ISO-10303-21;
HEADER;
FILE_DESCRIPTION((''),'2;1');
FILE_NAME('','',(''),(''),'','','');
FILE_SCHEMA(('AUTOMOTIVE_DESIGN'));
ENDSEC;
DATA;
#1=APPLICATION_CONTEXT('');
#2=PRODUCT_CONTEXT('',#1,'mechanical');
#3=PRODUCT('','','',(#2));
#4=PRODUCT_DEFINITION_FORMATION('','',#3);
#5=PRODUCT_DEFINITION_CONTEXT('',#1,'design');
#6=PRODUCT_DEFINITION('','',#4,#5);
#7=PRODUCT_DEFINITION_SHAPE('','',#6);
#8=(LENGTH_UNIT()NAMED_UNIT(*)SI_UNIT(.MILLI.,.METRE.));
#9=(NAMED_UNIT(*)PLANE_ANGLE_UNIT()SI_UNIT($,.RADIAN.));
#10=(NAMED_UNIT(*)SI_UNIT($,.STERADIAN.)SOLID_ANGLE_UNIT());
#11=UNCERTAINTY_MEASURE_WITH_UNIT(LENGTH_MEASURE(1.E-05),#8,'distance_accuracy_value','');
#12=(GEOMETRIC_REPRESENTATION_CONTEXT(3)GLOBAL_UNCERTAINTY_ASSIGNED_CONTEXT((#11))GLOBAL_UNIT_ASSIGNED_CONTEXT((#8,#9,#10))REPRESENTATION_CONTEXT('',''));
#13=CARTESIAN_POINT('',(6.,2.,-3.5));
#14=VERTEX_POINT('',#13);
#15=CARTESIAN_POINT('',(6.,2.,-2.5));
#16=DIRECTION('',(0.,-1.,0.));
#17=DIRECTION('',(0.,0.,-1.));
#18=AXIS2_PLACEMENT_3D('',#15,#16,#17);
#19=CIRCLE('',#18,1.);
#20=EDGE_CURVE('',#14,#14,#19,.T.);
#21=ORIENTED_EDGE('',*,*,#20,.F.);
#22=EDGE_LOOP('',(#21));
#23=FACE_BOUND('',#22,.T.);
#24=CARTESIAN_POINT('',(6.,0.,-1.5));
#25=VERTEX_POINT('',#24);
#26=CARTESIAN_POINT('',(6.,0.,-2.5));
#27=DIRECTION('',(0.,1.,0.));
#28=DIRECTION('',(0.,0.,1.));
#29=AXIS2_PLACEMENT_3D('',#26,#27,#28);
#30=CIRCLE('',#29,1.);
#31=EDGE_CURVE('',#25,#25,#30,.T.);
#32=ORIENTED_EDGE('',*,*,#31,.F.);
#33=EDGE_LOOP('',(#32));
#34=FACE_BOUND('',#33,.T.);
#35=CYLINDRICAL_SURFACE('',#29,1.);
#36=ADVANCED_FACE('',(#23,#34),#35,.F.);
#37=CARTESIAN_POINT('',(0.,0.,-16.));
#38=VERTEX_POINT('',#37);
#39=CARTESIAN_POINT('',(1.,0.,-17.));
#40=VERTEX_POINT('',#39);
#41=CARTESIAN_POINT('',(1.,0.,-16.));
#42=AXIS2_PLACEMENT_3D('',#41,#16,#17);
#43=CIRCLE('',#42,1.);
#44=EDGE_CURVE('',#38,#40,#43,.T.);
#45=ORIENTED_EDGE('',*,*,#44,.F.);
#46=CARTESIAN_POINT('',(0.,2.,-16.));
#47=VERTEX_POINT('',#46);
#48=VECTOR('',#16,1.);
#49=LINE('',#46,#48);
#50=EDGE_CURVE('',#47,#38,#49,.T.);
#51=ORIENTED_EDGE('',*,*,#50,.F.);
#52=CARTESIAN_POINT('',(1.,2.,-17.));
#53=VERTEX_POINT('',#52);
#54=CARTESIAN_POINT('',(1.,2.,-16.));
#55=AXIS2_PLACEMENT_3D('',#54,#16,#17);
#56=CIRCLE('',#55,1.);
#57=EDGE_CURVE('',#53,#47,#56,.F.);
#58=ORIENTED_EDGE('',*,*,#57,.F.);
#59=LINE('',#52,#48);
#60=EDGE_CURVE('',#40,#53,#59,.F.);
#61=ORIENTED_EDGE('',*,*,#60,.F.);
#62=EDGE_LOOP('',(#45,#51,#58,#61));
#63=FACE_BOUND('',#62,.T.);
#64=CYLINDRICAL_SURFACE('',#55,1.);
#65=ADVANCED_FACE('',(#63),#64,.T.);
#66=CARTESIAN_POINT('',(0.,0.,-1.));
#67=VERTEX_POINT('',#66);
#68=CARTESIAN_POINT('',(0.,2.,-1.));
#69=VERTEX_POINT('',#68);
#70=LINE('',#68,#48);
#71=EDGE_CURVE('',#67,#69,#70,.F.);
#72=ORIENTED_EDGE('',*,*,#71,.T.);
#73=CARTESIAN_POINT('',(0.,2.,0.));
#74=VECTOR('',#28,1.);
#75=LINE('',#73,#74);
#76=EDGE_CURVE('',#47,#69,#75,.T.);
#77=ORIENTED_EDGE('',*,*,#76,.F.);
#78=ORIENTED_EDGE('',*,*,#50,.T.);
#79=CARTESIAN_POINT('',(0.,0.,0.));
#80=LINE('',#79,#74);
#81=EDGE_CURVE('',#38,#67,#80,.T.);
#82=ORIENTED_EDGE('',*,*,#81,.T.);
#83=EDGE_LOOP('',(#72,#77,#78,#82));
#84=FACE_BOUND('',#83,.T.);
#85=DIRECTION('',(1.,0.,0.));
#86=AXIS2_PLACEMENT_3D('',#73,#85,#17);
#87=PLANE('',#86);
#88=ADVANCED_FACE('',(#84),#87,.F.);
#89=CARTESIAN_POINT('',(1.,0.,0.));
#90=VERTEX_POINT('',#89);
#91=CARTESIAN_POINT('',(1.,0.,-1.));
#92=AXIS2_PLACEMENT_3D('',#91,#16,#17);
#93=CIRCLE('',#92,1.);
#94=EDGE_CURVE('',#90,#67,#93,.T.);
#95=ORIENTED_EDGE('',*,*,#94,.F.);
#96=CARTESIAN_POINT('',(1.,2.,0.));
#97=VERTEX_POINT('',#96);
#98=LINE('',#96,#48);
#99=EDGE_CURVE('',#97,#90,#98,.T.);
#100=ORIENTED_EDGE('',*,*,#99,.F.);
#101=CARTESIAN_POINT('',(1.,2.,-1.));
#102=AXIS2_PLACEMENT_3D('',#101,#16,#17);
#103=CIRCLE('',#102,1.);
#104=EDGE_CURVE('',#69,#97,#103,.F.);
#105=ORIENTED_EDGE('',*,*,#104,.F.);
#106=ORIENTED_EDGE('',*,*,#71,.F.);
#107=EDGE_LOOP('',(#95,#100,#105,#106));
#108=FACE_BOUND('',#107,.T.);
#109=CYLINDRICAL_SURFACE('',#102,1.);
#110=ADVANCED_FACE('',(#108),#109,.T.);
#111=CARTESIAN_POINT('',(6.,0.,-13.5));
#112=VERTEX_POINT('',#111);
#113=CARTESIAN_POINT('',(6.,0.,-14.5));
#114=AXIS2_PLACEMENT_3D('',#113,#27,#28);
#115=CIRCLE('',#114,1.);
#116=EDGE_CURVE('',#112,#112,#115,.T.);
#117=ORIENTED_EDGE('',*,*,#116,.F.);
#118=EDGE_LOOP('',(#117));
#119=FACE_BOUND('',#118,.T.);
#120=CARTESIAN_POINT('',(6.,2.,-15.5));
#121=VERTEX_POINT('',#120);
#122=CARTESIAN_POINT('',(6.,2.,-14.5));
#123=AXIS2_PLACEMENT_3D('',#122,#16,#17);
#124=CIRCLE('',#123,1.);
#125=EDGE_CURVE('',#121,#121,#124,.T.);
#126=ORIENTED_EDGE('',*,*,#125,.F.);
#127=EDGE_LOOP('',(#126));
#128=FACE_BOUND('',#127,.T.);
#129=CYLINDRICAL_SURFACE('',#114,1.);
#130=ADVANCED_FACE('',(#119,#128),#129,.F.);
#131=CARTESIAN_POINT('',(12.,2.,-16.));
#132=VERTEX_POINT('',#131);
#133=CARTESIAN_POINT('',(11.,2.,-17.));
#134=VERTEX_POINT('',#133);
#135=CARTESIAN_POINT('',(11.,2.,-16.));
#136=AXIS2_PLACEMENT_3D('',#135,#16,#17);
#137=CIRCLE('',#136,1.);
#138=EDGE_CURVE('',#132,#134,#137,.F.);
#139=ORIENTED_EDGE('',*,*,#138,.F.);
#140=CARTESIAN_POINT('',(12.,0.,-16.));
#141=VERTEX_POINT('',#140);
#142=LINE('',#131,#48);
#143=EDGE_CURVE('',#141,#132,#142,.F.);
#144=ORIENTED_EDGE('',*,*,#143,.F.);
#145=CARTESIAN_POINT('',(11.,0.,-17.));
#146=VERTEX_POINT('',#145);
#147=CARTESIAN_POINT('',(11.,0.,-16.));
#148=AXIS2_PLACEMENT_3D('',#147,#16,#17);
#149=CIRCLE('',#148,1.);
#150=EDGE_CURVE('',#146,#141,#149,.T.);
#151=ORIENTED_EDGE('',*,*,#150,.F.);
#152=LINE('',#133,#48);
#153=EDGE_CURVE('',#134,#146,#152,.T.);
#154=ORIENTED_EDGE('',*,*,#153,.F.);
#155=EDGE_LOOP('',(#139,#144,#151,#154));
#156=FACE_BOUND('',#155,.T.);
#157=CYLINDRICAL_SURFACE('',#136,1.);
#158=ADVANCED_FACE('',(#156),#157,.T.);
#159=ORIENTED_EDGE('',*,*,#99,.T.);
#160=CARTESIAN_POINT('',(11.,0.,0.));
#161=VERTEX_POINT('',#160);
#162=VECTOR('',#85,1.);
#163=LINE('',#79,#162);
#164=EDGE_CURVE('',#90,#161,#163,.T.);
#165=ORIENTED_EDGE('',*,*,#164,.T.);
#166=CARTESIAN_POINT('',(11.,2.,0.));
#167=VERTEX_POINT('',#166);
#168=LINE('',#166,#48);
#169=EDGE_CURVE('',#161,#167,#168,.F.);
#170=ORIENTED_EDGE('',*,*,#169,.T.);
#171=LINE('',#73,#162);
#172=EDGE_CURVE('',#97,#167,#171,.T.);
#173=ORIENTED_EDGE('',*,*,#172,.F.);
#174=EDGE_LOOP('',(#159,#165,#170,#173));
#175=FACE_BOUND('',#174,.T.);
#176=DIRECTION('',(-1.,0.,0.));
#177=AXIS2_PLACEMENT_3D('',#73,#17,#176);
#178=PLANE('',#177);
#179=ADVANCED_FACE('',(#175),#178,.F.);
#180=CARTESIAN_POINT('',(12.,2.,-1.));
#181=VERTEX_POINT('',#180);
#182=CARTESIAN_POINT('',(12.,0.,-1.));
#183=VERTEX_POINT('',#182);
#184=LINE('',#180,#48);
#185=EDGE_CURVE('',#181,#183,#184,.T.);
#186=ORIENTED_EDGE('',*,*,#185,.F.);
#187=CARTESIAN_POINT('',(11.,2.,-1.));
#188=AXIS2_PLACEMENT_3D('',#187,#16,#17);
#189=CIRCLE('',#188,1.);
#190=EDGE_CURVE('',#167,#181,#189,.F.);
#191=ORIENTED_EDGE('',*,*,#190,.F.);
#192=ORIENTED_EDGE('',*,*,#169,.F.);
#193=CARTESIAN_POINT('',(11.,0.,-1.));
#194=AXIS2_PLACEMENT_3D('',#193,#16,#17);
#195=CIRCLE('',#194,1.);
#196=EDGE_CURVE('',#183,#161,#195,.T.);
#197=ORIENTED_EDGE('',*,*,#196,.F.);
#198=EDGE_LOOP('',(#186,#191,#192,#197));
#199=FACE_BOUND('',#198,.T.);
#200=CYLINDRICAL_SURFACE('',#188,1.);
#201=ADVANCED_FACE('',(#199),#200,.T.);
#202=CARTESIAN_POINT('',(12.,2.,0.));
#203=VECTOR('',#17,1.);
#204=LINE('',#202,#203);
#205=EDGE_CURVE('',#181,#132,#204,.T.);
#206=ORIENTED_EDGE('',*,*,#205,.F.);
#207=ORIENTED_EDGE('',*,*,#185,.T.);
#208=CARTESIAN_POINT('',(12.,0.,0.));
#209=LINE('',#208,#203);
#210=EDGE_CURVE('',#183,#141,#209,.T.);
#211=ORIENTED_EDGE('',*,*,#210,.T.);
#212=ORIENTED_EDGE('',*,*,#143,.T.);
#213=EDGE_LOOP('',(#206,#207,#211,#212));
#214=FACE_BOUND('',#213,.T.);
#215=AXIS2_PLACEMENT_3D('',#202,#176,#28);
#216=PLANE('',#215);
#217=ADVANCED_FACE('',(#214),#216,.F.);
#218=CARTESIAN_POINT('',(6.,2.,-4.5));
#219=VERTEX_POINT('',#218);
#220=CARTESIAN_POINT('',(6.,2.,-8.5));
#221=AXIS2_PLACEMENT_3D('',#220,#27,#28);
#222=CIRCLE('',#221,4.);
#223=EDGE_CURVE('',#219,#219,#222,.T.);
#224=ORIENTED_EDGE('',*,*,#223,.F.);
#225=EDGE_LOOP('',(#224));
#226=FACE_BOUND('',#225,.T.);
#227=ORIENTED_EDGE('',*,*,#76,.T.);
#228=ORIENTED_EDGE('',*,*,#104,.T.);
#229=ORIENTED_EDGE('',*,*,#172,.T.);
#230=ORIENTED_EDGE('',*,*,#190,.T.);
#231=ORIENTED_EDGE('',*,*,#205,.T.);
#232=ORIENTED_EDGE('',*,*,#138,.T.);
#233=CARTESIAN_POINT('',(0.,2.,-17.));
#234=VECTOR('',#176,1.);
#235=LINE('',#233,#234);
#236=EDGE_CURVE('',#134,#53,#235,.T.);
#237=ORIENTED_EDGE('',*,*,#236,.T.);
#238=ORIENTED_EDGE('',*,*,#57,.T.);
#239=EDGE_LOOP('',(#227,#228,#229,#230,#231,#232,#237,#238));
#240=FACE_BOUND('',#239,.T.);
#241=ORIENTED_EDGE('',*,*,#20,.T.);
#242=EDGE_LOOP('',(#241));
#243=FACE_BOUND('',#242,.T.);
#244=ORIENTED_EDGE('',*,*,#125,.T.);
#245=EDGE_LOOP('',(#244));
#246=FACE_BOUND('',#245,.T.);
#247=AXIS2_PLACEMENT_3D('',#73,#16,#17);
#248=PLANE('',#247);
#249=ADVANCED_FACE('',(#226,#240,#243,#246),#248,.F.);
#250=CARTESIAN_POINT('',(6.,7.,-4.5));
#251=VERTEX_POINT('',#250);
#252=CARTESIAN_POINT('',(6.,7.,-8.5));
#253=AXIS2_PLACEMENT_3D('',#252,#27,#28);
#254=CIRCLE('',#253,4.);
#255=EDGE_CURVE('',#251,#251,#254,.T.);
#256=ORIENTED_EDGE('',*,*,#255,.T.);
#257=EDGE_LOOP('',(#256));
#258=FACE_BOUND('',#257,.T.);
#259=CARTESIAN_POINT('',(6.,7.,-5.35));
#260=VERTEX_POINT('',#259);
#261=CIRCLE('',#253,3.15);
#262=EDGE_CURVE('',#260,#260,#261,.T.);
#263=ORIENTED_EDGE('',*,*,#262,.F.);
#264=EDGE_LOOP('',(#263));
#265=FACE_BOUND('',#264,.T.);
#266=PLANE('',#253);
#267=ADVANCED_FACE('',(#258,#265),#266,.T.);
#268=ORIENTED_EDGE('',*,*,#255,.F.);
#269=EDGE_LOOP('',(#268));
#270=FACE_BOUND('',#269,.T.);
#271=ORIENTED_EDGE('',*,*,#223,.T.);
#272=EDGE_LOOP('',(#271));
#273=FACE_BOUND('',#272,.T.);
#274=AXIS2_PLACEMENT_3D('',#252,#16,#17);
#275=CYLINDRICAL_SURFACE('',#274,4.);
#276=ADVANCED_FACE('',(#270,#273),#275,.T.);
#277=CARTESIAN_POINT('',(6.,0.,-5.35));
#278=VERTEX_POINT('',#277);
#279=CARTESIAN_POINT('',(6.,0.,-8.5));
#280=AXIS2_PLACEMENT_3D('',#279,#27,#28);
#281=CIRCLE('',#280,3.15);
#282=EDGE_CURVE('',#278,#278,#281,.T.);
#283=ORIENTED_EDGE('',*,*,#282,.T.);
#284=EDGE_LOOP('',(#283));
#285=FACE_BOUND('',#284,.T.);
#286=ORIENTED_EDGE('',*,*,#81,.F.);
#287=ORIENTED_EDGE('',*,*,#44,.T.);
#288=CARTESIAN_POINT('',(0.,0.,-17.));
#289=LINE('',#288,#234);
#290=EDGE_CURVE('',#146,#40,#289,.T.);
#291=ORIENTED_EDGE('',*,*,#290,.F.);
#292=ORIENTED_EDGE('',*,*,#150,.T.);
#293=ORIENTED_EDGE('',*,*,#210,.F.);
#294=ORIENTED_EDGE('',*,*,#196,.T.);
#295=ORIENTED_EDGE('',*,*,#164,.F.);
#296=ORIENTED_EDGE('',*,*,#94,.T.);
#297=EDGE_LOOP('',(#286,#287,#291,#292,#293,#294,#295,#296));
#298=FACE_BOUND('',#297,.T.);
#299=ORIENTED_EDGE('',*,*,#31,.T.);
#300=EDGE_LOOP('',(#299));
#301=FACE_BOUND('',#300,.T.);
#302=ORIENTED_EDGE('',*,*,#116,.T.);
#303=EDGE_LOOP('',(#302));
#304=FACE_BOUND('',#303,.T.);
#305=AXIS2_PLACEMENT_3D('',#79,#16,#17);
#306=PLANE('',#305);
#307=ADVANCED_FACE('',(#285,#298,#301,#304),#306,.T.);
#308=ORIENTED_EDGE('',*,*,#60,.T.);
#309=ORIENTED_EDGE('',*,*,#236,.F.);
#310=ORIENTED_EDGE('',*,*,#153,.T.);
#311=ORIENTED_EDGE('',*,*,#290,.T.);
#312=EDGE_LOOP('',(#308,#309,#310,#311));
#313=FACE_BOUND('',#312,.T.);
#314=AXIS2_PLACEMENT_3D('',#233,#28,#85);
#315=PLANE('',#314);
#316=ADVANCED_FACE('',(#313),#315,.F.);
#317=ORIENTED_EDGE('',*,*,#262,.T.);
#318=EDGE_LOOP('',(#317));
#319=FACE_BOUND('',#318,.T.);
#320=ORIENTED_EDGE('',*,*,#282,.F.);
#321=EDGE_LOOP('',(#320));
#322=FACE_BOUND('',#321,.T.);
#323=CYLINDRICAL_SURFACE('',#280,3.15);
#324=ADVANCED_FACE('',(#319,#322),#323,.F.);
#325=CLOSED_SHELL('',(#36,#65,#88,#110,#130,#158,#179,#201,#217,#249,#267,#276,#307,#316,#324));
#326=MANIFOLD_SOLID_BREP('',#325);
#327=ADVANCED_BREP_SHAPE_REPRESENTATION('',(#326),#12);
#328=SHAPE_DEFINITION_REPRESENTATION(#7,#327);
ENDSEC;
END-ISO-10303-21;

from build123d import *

# Parameters (mm, degrees)
SKETCH1_W               = 12
SKETCH1_H               = 17
MAIN_BODY_DEPTH         = 2
SKETCH2_R               = 4
SPACER_MOUNT_DEPTH      = 5
SKETCH3_R               = 3.15
SKETCH3_R_2             = 1
BOLT_SPACER_HOLES_DEPTH = 8
FILLET1_R               = 1


with BuildPart() as part:
    # Sketch1 → main_body (new body)
    with BuildSketch(Plane(origin=(0, 0, 0), x_dir=(1, 0, 0), z_dir=(0, 1, 0))):
        with Locations((6, 8.5)):
            Rectangle(SKETCH1_W, SKETCH1_H)
    extrude(amount=MAIN_BODY_DEPTH)

    # Sketch2 → spacer_mount (add)
    with BuildSketch(Plane(origin=(0, 2, 0), x_dir=(1, 0, 0), z_dir=(0, 1, 0))):
        with Locations((6, 8.5)):
            Circle(SKETCH2_R)
    extrude(amount=SPACER_MOUNT_DEPTH)

    # Sketch3 → bolt_spacer_holes (cut, through all)
    with BuildSketch(Plane(origin=(0, 7, 0), x_dir=(1, 0, 0), z_dir=(0, 1, 0))):
        with Locations((6, 8.5)):
            Circle(SKETCH3_R)
        with Locations((6, 14.5)):
            Circle(SKETCH3_R_2)
        with Locations((6, 2.5)):
            Circle(SKETCH3_R_2)
    extrude(amount=-BOLT_SPACER_HOLES_DEPTH, mode=Mode.SUBTRACT)

    # Fillet1
    fillet1_edges = [part.edges().sort_by_distance(p)[0] for p in [
        (0, 1, -17),
        (12, 1, -17),
        (12, 1, 0),
        (0, 1, 0),
    ]]
    fillet(fillet1_edges, radius=FILLET1_R)


solid = part.part
